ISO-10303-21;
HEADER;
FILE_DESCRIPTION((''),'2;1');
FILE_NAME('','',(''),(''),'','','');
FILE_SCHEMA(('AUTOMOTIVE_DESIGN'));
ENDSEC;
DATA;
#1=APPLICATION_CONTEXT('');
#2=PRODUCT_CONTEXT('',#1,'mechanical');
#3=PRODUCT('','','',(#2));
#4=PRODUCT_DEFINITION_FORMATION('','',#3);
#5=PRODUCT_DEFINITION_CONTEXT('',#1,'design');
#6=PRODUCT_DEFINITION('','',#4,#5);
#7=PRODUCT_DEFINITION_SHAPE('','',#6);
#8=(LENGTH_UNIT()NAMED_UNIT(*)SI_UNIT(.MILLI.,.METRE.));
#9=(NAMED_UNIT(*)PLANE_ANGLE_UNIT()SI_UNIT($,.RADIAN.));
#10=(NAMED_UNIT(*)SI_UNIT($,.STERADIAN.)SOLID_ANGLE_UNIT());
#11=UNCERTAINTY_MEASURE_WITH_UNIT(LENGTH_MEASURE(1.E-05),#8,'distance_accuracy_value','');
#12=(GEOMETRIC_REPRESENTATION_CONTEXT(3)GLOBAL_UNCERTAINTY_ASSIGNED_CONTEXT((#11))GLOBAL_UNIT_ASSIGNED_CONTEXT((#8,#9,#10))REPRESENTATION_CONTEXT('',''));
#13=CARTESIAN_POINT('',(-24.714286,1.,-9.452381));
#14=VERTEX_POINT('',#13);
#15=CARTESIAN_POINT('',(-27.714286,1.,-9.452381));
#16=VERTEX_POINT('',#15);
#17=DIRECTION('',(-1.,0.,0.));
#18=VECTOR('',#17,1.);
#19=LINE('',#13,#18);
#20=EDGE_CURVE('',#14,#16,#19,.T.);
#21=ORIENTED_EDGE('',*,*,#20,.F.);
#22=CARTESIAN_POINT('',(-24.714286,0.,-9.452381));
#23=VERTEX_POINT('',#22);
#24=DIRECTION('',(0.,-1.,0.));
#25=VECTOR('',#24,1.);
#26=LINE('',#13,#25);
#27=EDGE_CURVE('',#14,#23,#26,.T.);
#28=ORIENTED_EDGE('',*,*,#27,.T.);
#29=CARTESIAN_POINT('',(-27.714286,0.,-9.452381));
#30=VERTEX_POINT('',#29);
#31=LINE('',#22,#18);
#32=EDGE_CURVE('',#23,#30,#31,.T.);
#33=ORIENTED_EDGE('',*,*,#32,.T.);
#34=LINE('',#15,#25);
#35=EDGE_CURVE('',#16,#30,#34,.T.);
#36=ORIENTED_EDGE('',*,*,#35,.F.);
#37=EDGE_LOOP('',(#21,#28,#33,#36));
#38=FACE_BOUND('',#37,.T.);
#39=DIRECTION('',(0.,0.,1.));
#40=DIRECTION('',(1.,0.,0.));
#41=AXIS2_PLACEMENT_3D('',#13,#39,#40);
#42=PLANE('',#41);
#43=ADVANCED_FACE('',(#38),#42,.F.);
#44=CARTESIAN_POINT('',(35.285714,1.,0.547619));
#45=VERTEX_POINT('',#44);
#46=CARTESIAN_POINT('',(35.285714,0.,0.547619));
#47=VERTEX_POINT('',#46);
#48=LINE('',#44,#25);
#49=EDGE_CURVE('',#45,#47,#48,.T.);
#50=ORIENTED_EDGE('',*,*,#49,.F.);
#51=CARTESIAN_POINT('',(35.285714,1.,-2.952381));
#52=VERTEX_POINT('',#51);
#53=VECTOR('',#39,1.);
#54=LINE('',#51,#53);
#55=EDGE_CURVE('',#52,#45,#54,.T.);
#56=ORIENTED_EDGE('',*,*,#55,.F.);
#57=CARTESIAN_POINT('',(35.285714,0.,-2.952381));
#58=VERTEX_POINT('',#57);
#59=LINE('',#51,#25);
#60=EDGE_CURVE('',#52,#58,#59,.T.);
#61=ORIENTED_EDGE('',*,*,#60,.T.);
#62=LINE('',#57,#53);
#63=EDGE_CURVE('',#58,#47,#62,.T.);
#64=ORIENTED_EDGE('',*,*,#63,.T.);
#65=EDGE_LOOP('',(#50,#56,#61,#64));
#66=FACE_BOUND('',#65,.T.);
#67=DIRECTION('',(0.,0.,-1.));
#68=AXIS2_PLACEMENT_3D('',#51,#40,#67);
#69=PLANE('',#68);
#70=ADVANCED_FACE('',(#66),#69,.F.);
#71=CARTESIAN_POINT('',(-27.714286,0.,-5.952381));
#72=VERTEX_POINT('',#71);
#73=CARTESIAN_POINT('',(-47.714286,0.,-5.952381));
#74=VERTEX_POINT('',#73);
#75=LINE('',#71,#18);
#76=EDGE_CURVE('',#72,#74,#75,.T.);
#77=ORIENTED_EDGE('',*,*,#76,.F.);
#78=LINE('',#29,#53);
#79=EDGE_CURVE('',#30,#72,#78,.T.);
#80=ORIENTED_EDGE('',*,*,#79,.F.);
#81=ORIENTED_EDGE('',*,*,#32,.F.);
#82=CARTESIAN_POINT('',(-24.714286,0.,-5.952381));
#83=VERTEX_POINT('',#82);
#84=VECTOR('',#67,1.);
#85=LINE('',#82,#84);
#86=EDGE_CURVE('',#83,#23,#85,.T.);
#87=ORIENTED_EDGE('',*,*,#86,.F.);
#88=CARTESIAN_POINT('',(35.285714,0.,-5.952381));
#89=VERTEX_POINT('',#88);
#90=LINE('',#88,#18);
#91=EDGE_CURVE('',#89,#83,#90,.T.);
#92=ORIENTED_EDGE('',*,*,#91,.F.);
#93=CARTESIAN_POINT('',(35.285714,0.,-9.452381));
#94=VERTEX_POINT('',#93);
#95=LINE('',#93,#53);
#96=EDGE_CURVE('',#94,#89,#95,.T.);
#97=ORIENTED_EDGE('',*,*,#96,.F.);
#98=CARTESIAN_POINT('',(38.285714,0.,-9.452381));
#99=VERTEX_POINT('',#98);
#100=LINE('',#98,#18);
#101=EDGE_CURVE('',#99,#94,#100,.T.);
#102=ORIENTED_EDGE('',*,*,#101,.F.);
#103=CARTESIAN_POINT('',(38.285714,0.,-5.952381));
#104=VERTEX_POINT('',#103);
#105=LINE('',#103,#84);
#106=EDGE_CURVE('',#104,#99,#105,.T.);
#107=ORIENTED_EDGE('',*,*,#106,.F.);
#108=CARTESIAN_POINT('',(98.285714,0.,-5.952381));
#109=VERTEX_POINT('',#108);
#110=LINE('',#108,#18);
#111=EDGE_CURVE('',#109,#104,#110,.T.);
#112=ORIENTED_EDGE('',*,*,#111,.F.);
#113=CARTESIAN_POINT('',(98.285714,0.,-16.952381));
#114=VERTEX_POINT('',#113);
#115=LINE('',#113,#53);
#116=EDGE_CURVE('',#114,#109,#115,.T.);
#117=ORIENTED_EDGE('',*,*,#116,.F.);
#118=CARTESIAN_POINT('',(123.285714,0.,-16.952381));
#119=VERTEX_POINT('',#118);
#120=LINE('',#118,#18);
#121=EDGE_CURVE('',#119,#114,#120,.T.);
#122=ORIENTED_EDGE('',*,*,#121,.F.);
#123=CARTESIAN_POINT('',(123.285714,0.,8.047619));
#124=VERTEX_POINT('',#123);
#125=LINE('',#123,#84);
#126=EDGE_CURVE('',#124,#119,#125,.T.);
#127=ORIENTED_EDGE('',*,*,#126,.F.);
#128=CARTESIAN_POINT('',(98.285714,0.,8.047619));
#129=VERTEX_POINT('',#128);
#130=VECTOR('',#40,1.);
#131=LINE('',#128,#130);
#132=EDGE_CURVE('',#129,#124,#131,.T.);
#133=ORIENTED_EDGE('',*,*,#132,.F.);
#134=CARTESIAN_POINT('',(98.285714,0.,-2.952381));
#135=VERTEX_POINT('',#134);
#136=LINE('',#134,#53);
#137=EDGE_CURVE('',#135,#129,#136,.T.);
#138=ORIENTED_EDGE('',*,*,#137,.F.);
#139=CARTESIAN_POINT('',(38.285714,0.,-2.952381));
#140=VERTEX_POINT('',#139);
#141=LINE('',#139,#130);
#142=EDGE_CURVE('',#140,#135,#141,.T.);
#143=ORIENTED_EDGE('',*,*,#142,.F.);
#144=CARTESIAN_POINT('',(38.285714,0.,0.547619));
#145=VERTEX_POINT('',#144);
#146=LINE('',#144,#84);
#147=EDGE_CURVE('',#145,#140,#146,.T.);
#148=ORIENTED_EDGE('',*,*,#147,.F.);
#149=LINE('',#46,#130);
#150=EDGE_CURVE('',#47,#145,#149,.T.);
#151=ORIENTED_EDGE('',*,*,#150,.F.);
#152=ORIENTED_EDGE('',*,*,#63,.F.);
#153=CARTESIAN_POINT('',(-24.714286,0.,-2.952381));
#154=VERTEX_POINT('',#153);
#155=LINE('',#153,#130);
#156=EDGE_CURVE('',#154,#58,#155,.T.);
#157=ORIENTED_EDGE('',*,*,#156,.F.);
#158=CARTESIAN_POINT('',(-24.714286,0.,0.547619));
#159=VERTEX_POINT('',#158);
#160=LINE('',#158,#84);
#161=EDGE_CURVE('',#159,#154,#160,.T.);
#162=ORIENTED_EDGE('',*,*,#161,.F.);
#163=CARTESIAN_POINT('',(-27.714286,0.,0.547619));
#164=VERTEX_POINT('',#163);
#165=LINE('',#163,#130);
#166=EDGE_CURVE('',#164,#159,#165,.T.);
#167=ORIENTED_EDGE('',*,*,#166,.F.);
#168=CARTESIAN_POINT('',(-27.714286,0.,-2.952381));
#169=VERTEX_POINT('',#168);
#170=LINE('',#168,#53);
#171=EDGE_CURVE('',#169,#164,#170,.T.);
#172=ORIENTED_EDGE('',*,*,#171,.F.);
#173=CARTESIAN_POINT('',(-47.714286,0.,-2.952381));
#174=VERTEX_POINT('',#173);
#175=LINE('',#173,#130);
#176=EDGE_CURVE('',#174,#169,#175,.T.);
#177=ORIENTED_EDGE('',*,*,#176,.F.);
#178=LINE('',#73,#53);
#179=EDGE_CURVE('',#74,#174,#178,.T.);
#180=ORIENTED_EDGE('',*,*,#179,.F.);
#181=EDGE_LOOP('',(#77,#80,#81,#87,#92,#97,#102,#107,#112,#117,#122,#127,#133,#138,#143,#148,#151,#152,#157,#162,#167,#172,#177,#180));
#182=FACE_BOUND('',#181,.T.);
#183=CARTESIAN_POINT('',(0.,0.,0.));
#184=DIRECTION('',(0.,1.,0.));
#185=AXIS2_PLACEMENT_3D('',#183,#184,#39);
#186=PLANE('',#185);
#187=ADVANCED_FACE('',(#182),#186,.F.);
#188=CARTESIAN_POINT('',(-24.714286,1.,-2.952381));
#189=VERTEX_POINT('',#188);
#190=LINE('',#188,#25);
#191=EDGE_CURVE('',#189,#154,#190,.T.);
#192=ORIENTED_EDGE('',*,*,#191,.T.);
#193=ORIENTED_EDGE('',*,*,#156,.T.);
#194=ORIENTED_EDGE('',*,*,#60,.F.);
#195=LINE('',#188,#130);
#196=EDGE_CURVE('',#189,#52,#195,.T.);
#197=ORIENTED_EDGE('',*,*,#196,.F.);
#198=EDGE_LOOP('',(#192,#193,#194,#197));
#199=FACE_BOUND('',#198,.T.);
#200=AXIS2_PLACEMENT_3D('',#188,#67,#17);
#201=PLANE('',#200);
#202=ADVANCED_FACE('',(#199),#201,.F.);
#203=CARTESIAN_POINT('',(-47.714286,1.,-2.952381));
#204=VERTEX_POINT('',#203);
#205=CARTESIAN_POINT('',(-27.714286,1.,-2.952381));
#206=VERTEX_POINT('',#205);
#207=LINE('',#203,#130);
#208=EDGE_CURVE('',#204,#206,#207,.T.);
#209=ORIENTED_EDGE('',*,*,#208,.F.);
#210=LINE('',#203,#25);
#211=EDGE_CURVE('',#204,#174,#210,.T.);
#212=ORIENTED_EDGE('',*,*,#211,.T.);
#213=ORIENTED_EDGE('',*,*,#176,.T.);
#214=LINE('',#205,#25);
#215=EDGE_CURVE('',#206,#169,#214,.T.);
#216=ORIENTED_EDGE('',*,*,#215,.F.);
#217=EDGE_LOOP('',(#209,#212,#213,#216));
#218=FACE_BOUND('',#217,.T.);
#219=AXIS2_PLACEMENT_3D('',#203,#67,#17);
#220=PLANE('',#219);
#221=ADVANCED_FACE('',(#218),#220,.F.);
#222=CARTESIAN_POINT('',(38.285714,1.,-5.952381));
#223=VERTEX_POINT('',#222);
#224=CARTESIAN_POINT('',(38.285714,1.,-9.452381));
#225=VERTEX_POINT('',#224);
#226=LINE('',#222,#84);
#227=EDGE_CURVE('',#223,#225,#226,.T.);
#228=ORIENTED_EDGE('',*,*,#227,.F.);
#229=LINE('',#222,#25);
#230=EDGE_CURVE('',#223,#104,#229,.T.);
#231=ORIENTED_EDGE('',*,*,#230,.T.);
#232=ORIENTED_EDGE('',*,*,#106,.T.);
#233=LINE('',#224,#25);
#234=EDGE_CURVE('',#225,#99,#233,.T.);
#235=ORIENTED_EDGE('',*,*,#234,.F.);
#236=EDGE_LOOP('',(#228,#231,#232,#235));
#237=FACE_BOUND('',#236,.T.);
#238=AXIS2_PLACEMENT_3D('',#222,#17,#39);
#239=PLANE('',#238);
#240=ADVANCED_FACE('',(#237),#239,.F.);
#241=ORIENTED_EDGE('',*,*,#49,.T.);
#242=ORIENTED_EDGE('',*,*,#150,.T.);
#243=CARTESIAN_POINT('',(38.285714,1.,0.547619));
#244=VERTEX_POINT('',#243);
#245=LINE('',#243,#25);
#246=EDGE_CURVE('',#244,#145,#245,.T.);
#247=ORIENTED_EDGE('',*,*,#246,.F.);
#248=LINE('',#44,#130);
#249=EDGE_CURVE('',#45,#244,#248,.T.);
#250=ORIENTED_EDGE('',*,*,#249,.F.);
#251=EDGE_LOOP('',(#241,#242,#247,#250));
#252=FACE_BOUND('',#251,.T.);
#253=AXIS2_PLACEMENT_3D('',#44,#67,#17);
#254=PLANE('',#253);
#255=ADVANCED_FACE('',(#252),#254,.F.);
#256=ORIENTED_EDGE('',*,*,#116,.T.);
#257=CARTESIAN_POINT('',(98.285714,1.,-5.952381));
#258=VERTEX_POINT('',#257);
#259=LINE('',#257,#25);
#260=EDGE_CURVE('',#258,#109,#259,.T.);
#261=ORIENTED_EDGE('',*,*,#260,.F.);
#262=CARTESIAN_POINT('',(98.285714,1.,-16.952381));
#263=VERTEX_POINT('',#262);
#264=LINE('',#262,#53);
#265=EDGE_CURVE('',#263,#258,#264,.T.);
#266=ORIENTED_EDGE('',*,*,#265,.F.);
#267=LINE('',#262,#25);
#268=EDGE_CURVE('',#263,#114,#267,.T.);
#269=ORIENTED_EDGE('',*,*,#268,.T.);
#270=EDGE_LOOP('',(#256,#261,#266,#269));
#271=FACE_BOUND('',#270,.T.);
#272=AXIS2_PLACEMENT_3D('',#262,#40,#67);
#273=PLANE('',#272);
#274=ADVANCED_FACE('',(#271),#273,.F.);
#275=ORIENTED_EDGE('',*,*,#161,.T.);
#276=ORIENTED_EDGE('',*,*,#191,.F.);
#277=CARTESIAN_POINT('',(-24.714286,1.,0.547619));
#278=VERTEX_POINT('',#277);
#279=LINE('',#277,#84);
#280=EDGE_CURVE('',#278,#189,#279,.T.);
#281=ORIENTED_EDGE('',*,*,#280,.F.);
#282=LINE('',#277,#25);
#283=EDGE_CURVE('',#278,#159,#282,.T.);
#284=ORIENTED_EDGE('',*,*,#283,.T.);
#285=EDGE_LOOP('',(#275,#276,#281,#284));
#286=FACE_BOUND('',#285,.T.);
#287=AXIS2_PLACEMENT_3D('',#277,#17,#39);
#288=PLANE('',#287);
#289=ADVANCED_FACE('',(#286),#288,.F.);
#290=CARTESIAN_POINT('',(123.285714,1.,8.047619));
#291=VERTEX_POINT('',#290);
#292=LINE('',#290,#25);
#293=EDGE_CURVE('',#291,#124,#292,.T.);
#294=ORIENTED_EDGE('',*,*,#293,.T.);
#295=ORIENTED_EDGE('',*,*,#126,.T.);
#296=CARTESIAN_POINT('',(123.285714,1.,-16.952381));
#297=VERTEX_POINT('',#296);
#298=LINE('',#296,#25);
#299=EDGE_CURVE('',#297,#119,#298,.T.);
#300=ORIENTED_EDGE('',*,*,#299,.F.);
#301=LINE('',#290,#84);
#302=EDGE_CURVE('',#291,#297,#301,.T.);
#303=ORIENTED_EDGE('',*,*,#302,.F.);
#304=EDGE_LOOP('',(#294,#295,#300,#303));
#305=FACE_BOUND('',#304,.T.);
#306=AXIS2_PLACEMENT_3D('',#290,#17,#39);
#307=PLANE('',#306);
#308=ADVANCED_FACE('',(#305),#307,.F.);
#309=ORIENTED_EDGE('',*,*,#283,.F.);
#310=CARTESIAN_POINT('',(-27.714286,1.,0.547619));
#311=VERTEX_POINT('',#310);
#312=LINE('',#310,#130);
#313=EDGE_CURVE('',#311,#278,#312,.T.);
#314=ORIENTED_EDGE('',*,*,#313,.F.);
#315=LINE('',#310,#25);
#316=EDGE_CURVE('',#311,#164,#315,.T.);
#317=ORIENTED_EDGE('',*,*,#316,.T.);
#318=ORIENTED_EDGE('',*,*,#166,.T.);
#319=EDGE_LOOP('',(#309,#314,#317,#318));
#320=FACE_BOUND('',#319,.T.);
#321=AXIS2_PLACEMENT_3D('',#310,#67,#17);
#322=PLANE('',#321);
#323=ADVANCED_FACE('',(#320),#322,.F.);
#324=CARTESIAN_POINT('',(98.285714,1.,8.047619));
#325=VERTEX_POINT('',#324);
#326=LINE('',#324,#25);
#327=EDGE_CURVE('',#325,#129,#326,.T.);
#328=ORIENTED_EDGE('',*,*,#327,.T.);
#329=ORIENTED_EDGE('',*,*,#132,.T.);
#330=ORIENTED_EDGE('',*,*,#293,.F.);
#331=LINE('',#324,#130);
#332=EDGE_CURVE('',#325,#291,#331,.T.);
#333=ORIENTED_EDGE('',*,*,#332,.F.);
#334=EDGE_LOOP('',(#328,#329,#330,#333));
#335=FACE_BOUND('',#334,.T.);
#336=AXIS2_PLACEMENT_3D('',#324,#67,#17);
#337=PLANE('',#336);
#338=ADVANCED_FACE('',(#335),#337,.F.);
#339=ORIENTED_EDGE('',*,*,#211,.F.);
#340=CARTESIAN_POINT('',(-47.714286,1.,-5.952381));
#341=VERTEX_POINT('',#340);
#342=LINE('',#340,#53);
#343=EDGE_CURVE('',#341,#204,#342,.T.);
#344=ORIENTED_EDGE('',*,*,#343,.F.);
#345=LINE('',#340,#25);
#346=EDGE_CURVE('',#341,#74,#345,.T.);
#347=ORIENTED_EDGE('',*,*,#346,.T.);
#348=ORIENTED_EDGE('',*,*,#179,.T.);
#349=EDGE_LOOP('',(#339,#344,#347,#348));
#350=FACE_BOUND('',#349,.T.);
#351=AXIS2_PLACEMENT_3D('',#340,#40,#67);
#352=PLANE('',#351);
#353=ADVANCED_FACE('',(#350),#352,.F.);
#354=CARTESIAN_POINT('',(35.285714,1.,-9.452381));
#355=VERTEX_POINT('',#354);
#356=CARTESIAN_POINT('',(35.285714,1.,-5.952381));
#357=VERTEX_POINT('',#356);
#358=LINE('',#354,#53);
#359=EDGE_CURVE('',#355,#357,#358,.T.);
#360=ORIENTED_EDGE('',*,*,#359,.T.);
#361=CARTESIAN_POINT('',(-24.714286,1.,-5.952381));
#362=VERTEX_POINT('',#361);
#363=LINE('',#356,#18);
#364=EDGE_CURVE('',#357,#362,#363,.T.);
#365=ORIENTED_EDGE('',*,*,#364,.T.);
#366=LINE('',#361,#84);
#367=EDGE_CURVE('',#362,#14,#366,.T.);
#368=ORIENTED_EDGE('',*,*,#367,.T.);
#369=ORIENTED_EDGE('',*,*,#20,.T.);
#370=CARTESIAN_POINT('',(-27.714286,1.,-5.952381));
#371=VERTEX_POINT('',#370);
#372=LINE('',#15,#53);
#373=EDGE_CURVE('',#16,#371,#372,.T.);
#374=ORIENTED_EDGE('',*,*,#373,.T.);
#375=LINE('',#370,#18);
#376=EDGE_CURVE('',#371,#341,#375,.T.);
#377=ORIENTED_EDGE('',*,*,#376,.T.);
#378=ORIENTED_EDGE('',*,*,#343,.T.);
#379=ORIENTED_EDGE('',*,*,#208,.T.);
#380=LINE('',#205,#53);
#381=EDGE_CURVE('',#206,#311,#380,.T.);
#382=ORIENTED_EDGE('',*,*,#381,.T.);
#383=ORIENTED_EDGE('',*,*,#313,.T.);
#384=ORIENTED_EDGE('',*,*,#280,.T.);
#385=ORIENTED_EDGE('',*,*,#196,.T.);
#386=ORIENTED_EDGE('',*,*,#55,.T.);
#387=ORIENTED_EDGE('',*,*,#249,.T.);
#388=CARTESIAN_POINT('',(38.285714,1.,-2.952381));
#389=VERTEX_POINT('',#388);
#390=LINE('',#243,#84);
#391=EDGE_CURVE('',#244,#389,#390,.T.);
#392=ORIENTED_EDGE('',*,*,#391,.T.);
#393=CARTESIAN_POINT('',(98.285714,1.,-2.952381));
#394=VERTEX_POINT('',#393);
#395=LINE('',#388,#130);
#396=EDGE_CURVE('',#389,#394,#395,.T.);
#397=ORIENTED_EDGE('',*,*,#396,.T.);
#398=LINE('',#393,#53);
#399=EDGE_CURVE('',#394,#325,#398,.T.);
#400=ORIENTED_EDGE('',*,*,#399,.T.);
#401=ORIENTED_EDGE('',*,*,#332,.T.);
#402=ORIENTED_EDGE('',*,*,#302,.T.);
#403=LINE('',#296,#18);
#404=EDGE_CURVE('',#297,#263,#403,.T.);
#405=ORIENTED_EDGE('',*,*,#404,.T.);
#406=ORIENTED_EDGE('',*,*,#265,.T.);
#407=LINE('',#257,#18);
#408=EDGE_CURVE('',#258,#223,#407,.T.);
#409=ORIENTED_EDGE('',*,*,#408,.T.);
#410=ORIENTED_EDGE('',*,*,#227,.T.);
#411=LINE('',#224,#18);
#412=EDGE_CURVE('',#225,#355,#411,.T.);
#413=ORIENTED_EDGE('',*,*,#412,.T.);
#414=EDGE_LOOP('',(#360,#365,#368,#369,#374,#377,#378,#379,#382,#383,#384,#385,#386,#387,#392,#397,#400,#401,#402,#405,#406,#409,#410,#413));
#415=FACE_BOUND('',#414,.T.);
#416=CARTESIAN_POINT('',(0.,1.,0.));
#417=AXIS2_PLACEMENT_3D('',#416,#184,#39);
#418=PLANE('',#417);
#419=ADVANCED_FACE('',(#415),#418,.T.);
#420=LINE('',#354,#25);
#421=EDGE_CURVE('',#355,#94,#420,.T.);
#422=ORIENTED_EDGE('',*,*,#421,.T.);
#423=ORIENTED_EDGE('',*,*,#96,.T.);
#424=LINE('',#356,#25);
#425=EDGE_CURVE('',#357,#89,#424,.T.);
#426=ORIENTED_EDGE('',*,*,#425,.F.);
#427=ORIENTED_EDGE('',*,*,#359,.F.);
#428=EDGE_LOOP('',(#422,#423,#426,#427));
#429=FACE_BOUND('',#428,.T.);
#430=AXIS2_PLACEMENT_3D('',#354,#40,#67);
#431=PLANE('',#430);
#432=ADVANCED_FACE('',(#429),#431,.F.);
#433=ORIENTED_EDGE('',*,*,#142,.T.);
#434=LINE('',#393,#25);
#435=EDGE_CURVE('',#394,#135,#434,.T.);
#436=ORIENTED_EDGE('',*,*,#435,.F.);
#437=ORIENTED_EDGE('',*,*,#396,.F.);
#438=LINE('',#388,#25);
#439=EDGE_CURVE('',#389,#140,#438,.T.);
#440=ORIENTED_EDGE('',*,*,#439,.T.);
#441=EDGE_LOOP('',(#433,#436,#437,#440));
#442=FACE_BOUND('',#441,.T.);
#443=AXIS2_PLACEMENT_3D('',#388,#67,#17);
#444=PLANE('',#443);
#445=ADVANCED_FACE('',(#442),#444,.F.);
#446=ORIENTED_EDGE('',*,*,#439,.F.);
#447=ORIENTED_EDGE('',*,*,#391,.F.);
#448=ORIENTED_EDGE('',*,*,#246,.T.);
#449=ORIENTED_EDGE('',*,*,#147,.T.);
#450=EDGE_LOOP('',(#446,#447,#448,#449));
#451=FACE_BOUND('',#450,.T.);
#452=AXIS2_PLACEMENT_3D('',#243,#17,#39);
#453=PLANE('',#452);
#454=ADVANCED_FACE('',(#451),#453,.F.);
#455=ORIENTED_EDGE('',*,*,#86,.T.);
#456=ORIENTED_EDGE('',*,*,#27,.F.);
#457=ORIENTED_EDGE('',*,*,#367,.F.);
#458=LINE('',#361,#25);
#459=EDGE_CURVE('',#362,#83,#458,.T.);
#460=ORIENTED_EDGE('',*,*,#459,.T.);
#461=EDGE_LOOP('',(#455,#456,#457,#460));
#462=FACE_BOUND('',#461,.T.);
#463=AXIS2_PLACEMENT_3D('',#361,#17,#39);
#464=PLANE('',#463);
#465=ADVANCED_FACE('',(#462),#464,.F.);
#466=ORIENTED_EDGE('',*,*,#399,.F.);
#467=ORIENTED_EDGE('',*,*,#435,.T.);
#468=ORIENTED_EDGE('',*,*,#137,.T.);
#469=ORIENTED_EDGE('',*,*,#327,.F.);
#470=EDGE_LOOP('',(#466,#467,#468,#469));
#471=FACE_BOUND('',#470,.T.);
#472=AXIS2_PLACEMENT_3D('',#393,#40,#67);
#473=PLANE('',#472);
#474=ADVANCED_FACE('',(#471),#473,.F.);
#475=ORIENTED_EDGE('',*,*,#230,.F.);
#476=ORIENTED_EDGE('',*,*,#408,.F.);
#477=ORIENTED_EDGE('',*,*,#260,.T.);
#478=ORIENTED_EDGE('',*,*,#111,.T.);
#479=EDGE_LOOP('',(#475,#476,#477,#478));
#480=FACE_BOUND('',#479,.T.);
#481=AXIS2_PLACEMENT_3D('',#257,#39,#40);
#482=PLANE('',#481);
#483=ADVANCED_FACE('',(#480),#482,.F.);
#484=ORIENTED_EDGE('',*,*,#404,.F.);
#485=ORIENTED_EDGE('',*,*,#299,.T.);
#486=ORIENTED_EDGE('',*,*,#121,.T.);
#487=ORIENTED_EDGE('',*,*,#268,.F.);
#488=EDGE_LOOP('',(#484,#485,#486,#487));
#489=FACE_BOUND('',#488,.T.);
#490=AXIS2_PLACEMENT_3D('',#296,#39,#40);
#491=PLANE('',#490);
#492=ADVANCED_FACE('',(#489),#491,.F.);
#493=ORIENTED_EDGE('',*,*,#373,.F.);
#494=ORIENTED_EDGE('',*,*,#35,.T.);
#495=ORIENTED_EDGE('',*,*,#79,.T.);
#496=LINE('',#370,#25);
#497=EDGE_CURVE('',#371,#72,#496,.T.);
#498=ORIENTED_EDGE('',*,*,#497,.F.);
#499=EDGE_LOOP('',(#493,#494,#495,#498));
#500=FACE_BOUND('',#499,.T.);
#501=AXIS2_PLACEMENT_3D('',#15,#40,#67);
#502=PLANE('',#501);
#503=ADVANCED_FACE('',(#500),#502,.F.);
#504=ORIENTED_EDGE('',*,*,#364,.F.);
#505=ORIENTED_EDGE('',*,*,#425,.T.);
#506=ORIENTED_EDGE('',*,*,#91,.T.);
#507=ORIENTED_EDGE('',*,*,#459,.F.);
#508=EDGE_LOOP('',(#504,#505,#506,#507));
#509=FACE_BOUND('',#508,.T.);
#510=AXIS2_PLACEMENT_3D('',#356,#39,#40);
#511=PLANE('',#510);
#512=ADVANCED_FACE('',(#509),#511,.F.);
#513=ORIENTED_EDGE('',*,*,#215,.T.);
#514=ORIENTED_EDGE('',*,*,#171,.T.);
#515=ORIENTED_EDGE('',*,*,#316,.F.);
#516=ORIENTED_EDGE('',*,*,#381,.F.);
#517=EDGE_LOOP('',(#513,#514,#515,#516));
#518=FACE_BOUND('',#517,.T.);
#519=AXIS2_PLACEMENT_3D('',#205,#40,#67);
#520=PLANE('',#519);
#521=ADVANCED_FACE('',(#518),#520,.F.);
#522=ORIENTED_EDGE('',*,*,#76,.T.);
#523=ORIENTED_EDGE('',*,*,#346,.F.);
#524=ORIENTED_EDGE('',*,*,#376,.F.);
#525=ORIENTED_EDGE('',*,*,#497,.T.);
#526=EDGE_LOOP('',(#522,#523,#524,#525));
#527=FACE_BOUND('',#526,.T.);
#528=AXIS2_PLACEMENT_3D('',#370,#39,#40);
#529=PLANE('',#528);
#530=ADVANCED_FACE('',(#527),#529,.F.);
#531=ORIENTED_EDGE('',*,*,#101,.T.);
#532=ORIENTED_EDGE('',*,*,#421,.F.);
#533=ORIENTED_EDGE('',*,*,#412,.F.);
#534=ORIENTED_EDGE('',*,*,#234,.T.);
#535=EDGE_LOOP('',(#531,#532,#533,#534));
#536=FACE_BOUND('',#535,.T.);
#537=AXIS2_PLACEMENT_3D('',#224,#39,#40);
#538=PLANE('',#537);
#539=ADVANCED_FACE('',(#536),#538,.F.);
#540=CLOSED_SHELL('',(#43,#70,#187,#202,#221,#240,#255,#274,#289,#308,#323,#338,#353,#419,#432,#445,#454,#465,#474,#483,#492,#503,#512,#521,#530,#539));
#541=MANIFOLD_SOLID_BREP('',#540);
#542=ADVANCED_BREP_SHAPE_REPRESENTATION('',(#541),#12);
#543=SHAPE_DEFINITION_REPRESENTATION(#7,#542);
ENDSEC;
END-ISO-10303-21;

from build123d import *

# Parameters (mm, degrees)
BOSS_EXTRUDE1_DEPTH = 1


with BuildPart() as part:
    # Sketch1 → Boss-Extrude1 (new body)
    with BuildSketch(Plane(origin=(0, 0, 0), x_dir=(1, 0, 0), z_dir=(0, 1, 0))):
        Polygon((-47.714285714, 5.952380952), (-47.714285714, 2.952380952), (-27.714285714, 2.952380952), (-27.714285714, -0.547619048), (-24.714285714, -0.547619048), (-24.714285714, 2.952380952), (35.285714286, 2.952380952), (35.285714286, -0.547619048), (38.285714286, -0.547619048), (38.285714286, 2.952380952), (98.285714286, 2.952380952), (98.285714286, -8.047619048), (123.285714286, -8.047619048), (123.285714286, 16.952380952), (98.285714286, 16.952380952), (98.285714286, 5.952380952), (38.285714286, 5.952380952), (38.285714286, 9.452380952), (35.285714286, 9.452380952), (35.285714286, 5.952380952), (-24.714285714, 5.952380952), (-24.714285714, 9.452380952), (-27.714285714, 9.452380952), (-27.714285714, 5.952380952), align=None)
    extrude(amount=BOSS_EXTRUDE1_DEPTH)


solid = part.part
